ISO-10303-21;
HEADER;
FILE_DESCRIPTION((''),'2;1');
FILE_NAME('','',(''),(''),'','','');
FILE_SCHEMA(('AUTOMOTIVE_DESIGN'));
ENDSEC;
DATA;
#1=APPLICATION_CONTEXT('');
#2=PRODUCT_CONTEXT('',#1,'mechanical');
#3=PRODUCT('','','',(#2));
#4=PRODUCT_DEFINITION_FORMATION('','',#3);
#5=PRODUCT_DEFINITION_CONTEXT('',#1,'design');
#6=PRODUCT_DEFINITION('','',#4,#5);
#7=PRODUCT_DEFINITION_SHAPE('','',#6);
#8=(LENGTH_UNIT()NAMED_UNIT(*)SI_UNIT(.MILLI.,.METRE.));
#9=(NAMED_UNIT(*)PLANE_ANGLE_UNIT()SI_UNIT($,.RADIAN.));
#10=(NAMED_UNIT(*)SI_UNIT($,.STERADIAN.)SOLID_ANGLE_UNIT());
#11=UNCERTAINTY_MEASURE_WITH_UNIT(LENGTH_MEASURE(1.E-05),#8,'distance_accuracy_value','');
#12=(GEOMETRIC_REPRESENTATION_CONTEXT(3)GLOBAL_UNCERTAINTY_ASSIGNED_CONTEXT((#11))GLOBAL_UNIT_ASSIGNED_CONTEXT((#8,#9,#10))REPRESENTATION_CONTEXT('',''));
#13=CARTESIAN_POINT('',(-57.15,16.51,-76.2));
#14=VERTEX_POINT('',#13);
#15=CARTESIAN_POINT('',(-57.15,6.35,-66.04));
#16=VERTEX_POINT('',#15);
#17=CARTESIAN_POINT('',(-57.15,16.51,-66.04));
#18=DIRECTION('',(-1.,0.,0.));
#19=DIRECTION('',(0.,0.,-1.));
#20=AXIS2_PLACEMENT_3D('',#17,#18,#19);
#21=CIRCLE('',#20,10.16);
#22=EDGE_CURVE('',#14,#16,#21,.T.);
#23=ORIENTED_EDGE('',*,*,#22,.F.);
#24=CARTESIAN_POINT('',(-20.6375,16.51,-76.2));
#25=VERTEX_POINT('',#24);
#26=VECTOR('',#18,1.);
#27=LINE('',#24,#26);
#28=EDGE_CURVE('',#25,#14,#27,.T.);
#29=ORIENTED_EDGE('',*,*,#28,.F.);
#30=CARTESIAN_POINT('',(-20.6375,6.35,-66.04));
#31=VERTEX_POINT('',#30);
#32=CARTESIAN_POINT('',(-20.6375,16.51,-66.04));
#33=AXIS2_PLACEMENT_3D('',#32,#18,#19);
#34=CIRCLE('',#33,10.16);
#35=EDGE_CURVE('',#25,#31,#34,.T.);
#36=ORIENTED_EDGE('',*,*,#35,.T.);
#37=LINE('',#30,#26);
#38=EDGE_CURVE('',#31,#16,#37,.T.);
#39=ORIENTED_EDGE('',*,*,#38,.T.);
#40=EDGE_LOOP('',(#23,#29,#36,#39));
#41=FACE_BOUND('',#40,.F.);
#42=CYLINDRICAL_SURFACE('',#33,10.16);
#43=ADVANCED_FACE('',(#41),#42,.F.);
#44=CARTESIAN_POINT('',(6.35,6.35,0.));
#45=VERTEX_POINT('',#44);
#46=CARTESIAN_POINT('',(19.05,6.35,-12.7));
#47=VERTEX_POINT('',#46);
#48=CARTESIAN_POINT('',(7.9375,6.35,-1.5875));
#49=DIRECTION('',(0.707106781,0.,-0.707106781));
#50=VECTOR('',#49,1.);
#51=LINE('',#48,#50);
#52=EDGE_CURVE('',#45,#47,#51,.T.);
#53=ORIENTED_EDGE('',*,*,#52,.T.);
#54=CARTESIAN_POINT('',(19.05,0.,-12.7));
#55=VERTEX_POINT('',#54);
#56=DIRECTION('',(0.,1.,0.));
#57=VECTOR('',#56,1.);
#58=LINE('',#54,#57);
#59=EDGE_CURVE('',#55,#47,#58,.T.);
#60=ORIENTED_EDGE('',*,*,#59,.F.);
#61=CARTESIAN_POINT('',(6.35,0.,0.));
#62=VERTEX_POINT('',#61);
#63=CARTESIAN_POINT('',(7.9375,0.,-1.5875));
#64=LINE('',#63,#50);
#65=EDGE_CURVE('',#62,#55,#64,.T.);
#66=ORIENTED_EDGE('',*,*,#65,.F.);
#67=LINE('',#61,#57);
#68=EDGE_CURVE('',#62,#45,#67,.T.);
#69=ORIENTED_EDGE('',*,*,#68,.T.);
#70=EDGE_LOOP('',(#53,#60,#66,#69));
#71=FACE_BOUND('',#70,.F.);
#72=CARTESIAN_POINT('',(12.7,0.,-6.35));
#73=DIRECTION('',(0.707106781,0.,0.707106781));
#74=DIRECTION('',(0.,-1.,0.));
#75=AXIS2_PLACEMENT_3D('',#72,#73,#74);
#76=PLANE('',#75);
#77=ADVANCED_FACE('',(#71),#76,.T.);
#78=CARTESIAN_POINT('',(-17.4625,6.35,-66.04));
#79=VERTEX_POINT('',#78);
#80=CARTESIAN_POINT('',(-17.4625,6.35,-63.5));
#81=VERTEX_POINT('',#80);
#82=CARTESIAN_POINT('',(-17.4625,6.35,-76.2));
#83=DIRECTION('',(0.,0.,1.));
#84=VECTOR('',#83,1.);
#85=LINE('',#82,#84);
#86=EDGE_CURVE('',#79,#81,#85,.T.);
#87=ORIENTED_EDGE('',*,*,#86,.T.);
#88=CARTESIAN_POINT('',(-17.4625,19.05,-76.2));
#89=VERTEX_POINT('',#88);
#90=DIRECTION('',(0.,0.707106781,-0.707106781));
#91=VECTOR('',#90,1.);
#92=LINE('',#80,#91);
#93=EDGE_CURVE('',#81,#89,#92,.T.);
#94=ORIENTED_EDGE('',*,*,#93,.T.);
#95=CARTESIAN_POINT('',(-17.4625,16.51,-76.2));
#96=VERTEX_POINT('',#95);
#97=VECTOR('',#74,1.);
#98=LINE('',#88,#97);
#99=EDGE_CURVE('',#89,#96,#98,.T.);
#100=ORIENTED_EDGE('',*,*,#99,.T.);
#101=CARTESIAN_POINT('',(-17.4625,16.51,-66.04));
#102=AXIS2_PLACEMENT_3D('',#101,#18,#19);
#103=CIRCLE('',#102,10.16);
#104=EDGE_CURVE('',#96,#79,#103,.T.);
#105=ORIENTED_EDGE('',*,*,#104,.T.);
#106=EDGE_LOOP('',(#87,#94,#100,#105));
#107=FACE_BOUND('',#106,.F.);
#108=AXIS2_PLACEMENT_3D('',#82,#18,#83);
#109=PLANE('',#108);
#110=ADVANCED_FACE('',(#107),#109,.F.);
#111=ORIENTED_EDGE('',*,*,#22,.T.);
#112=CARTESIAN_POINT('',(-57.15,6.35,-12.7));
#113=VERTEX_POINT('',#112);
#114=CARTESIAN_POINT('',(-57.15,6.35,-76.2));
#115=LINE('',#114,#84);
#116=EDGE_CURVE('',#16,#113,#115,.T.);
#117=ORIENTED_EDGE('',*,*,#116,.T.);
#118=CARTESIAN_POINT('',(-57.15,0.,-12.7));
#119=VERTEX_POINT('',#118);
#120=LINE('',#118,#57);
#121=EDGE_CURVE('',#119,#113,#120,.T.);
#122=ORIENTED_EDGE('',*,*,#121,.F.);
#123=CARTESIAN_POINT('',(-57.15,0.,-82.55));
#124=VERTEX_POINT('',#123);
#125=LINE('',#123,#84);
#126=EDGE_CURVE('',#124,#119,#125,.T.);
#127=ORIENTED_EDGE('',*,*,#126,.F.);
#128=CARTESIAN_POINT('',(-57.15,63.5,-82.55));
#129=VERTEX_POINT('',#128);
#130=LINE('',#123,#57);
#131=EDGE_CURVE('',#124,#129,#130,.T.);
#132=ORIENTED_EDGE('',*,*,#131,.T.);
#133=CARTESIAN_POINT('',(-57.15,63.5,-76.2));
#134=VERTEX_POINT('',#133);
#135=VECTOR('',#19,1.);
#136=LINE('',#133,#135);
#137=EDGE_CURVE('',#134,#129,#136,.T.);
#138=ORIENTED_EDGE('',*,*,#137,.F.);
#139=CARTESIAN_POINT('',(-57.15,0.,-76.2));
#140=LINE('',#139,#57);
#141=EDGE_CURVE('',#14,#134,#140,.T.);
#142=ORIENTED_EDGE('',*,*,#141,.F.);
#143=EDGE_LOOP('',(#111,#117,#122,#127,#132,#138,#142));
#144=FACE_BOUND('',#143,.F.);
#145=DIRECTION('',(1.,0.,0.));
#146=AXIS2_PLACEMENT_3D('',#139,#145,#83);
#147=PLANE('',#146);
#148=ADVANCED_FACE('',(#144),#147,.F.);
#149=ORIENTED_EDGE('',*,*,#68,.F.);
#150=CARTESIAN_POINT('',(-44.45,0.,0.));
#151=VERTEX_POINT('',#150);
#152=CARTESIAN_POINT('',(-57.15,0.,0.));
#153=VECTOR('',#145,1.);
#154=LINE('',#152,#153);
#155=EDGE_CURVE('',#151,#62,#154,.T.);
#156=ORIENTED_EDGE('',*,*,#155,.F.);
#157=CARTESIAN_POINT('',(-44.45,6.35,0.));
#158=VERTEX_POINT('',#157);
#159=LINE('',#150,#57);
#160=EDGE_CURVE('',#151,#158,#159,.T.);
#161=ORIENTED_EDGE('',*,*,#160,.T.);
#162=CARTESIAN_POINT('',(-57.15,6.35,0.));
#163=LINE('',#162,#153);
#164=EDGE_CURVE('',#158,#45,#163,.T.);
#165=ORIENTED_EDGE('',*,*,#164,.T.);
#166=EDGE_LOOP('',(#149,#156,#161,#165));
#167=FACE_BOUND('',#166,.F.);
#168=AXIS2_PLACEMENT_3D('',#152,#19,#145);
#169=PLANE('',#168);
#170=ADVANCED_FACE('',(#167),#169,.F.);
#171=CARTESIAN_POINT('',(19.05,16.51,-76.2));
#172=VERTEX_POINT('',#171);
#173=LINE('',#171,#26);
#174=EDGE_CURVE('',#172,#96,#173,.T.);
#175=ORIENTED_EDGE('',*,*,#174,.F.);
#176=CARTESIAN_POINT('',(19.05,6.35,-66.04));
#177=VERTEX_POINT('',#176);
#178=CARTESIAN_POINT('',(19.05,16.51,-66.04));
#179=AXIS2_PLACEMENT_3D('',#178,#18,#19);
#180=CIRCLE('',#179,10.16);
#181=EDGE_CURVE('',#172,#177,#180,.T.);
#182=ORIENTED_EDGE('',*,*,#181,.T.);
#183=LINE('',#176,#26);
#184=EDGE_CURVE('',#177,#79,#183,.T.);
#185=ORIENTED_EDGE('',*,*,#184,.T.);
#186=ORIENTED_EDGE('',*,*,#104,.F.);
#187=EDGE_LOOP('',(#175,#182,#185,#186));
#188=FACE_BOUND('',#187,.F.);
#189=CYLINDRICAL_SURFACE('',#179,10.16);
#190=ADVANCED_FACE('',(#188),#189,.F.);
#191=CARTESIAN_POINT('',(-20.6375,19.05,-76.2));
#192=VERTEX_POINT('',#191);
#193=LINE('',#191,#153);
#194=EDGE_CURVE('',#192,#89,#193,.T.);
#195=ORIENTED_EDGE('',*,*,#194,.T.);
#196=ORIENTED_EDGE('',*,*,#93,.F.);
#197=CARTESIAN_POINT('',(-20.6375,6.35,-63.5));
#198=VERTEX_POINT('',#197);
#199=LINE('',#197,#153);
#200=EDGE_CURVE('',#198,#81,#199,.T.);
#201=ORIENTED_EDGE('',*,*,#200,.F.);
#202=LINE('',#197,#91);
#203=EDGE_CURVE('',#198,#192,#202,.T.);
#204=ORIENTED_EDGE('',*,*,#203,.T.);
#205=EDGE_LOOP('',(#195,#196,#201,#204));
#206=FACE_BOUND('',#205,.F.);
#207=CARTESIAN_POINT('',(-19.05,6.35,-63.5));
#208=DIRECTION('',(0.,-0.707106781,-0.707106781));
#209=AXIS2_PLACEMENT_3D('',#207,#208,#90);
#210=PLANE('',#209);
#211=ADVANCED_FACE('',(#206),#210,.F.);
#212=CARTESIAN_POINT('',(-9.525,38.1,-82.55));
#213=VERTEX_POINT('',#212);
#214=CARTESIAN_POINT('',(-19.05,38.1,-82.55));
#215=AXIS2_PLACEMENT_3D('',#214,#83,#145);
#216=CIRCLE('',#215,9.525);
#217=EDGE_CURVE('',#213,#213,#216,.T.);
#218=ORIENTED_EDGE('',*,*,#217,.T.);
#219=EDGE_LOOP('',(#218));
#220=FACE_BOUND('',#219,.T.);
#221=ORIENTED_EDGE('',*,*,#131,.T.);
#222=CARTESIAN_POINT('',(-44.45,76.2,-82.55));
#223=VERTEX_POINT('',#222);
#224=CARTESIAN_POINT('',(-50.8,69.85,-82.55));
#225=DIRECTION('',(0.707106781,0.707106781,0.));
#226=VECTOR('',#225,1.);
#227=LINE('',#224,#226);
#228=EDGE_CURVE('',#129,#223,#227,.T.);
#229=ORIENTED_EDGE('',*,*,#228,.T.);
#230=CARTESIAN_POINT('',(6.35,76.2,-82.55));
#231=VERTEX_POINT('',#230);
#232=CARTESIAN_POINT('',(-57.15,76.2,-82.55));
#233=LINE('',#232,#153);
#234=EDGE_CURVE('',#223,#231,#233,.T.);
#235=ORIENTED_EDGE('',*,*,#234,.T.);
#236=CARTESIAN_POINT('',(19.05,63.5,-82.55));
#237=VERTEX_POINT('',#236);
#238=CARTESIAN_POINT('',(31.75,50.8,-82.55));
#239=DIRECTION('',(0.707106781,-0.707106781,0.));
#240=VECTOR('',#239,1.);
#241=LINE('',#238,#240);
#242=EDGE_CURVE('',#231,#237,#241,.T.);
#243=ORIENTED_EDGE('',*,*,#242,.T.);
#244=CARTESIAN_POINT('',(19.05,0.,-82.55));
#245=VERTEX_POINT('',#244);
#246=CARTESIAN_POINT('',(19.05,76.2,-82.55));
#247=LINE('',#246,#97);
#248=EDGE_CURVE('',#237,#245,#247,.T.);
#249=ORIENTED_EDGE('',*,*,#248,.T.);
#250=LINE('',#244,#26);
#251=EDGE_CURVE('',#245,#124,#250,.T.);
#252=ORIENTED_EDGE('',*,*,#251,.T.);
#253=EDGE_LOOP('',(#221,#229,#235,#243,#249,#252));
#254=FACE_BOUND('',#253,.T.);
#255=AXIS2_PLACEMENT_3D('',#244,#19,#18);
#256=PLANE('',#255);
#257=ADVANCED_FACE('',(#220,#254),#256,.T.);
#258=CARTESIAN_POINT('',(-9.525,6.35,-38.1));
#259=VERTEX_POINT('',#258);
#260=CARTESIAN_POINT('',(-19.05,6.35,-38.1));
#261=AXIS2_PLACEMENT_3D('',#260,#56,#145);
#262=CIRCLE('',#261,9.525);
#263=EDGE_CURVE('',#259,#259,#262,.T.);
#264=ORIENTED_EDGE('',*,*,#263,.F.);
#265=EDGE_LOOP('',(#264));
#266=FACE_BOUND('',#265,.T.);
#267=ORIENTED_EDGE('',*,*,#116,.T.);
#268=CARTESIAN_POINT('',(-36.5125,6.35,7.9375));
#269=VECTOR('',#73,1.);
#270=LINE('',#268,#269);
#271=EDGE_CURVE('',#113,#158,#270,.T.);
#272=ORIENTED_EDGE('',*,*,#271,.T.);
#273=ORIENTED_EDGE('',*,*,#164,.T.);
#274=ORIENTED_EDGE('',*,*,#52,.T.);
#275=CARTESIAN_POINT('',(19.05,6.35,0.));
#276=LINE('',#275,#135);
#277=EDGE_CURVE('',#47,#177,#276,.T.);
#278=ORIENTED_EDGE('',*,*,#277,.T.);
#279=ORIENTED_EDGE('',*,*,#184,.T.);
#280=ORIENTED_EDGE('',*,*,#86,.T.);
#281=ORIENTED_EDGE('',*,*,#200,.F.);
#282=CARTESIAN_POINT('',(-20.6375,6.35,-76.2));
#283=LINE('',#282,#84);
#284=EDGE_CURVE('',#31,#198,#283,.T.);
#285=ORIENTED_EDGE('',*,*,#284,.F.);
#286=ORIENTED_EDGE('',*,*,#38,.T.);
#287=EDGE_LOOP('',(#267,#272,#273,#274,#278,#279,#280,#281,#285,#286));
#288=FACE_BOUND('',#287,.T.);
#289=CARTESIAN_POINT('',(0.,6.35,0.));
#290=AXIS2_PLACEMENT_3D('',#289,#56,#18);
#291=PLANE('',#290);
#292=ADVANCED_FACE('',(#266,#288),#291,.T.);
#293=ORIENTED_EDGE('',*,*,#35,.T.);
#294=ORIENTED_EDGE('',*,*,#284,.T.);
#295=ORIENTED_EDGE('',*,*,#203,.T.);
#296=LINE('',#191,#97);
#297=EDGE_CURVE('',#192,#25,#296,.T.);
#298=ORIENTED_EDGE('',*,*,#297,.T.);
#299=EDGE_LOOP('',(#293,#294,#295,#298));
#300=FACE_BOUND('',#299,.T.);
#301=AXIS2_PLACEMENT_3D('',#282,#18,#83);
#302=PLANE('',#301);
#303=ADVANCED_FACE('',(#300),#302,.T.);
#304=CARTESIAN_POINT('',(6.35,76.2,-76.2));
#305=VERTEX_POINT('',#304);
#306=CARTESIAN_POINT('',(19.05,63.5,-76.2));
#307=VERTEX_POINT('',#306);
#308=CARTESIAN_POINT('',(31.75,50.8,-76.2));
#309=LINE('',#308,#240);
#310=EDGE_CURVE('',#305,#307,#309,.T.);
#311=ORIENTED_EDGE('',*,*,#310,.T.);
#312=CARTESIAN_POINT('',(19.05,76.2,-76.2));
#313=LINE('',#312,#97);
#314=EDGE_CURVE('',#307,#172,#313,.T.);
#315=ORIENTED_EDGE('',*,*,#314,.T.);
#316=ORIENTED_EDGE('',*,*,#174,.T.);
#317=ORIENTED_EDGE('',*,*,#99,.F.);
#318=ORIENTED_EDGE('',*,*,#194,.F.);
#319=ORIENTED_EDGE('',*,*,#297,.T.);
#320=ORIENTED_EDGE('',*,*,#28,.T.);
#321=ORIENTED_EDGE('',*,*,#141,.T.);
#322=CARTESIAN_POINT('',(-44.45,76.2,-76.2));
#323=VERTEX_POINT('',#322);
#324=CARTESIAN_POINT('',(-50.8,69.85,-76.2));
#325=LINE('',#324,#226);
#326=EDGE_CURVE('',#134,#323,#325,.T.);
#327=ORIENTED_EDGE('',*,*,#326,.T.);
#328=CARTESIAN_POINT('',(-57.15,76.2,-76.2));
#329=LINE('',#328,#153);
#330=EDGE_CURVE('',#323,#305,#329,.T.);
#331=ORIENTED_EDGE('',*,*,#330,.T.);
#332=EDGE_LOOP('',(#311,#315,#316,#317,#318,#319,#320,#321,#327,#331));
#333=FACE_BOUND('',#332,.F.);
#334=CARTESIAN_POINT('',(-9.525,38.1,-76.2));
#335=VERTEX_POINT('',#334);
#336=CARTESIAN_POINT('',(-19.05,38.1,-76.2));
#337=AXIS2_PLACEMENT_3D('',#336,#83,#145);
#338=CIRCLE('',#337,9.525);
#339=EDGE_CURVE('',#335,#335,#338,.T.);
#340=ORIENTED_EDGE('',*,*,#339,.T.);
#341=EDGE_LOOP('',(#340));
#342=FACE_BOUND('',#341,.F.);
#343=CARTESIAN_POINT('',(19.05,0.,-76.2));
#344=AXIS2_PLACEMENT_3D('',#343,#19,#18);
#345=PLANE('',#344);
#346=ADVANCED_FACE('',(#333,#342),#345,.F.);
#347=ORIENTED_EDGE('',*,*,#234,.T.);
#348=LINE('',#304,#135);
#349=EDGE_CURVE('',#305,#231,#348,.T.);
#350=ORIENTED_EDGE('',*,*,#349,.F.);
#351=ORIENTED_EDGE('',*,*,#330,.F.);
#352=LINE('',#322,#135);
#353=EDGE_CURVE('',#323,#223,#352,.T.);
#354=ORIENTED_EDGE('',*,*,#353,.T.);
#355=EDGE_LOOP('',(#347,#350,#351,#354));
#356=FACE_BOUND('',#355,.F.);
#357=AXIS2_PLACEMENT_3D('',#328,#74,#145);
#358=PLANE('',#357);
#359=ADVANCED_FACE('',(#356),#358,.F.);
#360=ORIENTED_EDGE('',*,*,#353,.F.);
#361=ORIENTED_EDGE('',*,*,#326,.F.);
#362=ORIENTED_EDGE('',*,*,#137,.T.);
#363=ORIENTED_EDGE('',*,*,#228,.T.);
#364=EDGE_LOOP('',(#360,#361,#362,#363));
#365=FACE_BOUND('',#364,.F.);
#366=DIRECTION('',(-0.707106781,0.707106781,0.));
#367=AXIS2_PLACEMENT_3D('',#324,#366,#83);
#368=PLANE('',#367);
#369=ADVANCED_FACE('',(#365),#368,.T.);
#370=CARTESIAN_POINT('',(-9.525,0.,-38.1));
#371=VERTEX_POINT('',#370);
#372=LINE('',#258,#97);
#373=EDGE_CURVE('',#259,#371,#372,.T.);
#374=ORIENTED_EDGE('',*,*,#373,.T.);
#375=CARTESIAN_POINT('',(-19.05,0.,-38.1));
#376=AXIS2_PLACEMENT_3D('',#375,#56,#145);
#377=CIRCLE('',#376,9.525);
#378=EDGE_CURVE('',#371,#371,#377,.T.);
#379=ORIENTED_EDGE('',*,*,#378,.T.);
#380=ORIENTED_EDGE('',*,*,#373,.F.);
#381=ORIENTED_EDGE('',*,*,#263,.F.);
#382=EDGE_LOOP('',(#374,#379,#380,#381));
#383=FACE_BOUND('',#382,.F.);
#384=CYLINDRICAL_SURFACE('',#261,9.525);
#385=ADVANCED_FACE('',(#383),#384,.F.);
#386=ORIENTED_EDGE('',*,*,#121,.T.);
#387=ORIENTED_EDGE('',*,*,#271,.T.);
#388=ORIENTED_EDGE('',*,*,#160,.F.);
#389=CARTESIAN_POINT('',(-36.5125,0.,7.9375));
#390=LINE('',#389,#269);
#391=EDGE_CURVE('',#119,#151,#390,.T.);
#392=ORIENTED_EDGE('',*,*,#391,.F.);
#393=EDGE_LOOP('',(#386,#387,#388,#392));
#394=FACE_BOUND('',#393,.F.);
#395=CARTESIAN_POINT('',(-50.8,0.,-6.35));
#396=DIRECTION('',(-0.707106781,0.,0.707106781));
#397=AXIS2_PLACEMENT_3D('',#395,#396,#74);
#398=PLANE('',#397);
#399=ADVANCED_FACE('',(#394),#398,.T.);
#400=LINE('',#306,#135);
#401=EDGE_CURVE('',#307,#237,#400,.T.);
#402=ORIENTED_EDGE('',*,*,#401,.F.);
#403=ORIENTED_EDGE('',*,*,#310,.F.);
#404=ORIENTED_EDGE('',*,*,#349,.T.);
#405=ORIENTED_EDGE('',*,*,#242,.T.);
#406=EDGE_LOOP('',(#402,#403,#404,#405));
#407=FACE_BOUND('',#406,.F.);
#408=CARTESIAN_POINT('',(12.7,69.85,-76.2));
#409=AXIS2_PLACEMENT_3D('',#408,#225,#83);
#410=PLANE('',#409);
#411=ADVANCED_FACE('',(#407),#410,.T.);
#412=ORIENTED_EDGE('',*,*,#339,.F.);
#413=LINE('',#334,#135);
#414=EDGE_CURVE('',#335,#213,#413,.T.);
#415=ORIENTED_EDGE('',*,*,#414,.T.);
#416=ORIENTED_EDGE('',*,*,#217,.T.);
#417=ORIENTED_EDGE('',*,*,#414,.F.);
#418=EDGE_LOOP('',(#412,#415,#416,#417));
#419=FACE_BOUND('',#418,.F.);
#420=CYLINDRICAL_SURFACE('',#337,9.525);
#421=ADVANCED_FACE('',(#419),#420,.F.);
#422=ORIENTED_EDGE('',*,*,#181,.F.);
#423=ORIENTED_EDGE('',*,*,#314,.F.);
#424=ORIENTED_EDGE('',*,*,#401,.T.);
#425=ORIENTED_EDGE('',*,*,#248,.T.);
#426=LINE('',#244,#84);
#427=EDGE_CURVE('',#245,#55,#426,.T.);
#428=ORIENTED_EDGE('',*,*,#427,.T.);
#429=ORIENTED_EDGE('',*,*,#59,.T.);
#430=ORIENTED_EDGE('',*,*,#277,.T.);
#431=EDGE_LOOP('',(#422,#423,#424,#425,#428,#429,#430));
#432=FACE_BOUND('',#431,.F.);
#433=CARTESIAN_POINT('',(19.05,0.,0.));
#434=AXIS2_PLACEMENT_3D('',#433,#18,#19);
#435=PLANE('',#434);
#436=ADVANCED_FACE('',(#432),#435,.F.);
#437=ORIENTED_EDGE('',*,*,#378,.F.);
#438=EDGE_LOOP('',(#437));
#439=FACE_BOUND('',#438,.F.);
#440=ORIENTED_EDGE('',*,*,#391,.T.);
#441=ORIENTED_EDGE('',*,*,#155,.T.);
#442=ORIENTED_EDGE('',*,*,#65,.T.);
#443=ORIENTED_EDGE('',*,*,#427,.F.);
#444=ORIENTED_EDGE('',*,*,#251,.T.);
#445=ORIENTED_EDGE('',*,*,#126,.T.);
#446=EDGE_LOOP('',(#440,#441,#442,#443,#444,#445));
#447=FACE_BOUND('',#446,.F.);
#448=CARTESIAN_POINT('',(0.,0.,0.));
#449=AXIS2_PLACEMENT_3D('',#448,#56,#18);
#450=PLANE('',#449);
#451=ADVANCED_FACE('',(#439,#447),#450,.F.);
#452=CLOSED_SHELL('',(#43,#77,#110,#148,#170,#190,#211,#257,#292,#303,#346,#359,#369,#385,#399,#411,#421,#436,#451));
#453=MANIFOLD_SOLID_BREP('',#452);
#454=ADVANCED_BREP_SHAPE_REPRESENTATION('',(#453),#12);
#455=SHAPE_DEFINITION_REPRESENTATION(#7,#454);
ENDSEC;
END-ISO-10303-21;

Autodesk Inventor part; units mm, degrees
ref_plane "YZ Plane" through (0, 0, 0) normal (1, 0, 0) x (0, 1, 0)
ref_plane "XZ Plane" through (0, 0, 0) normal (0, 1, 0) x (-1, 0, 0)
sketch "Sketch1" plane through (0, 0, 0) normal (0, 1, 0) x (-1, 0, 0)
  line L0 (57.15, 0) -> (-19.05, 0)
  line L1 (-19.05, 0) -> (-19.05, -76.2)
  line L2 (-19.05, -76.2) -> (57.15, -76.2)
  line L3 (57.15, -76.2) -> (57.15, 0)
  point P0 (0, 0)
  dimension "d0" = 76.2
  dimension "d1" = 76.2
extrude "BOTTOM" add sketch "Sketch1" along normal blind 6.35
sketch "Sketch2" plane through (19.05, 0, -76.2) normal (0, 0, -1) x (-1, 0, 0)
  line L0 (0, 0) -> (76.2, 0)
  line L1 (76.2, 0) -> (76.2, 76.2)
  line L2 (76.2, 76.2) -> (0, 76.2)
  line L3 (0, 76.2) -> (0, 0)
  point P0 (19.05, 0)
  dimension "d4" = 76.2
  dimension "d5" = 76.2
extrude "SIDE" add sketch "Sketch2" along normal blind 6.35
sketch "Sketch3" plane through (0, 6.35, 0) normal (0, 1, 0) x (1, 0, 0)
  circle A0 centre (-19.05, 38.1) radius 9.525
  line L0 (-57.15, 76.2) -> (19.05, 76.2) projected
  line L1 (-57.15, 76.2) -> (-57.15, 0) projected
  point P0 (0, 0)
  point P1 (-44.45, 76.2)
  point P2 (6.35, 76.2)
  point P3 (-57.15, 12.7)
  dimension "d9" = 19.05
  dimension "d10" = 38.1
  dimension "d11" = 38.1
extrude "HOLE BOTT" cut sketch "Sketch3" against normal blind 6.35
sketch "Sketch4" plane through (19.05, 0, -76.2) normal (0, 0, 1) x (1, 0, 0)
  circle A0 centre (-38.1, 38.1) radius 9.525
  line L0 (-76.2, 76.2) -> (0, 76.2) projected
  line L1 (0, 76.2) -> (0, 6.35) projected
  point P0 (-19.05, 0)
  point P1 (-63.5, 76.2)
  point P2 (-12.7, 76.2)
  point P3 (0, 63.5)
  dimension "d14" = 19.05
  dimension "d15" = 38.1
  dimension "d16" = 38.1
extrude "HOLE SIDE" cut sketch "Sketch4" against normal blind 6.35
chamfer "CHM TOP" distance 12.7 angle 45 2 edges at (19.05, 76.2, -79.375) (-57.15, 76.2, -79.375)
ref_plane "Work Plane1" through (-19.05, 6.35, -76.2) normal (-1, 0, 0) x (0, 0, 1)
sketch "Sketch6" plane through (-19.05, 6.35, -76.2) normal (-1, 0, 0) x (0, 0, 1)
  line L0 (0, 0) -> (12.7, 0)
  line L1 (12.7, 0) -> (0, 12.7)
  line L2 (0, 12.7) -> (0, 0)
  point P0 (76.2, -6.35)
  dimension "d25" = 12.7
  dimension "d27" = 12.7
extrude "BRACE" add sketch "Sketch6" along normal mid plane 3.175
fillet "Fillet1" radius 10.16 2 edges at (-38.8937, 6.35, -76.2) (0.7938, 6.35, -76.2)
chamfer "CHM BOTT" distance 12.7 angle 45 2 edges at (-57.15, 3.175, 0) (19.05, 3.175, 0)
equation "\"d0\" = L"
equation "\"d1\" = w"
equation "\"d2\" = HT"
equation "\"d4\" = w"
equation "\"d5\" = L"
equation "\"d6\" = HT"
equation "\"d9\" = HL"
equation "\"d10\" = 0.5 * L"
equation "\"d11\" = 0.5 * w"
equation "\"d12\" = HT"
equation "\"d14\" = HL"
equation "\"d15\" = 0.5 * L"
equation "\"d16\" = 0.5 * w"
equation "\"d17\" = HT"
equation "\"d19\" = CHM"
equation "\"d28\" = 0.5 * HT"
equation "\"d31\" = CHM"
equation "\"d30\" = FL"
equation "\"L\" = 76.2"
equation "\"w\" = 76.2"
equation "\"HT\" = 6.35"
equation "\"CHM\" = 12.7"
equation "\"HL\" = 19.05"
equation "\"d24\" = -0.5 * w"
equation "\"FL\" = 10.16"
properties part number "PARAMETRIC L-BRAKET"
